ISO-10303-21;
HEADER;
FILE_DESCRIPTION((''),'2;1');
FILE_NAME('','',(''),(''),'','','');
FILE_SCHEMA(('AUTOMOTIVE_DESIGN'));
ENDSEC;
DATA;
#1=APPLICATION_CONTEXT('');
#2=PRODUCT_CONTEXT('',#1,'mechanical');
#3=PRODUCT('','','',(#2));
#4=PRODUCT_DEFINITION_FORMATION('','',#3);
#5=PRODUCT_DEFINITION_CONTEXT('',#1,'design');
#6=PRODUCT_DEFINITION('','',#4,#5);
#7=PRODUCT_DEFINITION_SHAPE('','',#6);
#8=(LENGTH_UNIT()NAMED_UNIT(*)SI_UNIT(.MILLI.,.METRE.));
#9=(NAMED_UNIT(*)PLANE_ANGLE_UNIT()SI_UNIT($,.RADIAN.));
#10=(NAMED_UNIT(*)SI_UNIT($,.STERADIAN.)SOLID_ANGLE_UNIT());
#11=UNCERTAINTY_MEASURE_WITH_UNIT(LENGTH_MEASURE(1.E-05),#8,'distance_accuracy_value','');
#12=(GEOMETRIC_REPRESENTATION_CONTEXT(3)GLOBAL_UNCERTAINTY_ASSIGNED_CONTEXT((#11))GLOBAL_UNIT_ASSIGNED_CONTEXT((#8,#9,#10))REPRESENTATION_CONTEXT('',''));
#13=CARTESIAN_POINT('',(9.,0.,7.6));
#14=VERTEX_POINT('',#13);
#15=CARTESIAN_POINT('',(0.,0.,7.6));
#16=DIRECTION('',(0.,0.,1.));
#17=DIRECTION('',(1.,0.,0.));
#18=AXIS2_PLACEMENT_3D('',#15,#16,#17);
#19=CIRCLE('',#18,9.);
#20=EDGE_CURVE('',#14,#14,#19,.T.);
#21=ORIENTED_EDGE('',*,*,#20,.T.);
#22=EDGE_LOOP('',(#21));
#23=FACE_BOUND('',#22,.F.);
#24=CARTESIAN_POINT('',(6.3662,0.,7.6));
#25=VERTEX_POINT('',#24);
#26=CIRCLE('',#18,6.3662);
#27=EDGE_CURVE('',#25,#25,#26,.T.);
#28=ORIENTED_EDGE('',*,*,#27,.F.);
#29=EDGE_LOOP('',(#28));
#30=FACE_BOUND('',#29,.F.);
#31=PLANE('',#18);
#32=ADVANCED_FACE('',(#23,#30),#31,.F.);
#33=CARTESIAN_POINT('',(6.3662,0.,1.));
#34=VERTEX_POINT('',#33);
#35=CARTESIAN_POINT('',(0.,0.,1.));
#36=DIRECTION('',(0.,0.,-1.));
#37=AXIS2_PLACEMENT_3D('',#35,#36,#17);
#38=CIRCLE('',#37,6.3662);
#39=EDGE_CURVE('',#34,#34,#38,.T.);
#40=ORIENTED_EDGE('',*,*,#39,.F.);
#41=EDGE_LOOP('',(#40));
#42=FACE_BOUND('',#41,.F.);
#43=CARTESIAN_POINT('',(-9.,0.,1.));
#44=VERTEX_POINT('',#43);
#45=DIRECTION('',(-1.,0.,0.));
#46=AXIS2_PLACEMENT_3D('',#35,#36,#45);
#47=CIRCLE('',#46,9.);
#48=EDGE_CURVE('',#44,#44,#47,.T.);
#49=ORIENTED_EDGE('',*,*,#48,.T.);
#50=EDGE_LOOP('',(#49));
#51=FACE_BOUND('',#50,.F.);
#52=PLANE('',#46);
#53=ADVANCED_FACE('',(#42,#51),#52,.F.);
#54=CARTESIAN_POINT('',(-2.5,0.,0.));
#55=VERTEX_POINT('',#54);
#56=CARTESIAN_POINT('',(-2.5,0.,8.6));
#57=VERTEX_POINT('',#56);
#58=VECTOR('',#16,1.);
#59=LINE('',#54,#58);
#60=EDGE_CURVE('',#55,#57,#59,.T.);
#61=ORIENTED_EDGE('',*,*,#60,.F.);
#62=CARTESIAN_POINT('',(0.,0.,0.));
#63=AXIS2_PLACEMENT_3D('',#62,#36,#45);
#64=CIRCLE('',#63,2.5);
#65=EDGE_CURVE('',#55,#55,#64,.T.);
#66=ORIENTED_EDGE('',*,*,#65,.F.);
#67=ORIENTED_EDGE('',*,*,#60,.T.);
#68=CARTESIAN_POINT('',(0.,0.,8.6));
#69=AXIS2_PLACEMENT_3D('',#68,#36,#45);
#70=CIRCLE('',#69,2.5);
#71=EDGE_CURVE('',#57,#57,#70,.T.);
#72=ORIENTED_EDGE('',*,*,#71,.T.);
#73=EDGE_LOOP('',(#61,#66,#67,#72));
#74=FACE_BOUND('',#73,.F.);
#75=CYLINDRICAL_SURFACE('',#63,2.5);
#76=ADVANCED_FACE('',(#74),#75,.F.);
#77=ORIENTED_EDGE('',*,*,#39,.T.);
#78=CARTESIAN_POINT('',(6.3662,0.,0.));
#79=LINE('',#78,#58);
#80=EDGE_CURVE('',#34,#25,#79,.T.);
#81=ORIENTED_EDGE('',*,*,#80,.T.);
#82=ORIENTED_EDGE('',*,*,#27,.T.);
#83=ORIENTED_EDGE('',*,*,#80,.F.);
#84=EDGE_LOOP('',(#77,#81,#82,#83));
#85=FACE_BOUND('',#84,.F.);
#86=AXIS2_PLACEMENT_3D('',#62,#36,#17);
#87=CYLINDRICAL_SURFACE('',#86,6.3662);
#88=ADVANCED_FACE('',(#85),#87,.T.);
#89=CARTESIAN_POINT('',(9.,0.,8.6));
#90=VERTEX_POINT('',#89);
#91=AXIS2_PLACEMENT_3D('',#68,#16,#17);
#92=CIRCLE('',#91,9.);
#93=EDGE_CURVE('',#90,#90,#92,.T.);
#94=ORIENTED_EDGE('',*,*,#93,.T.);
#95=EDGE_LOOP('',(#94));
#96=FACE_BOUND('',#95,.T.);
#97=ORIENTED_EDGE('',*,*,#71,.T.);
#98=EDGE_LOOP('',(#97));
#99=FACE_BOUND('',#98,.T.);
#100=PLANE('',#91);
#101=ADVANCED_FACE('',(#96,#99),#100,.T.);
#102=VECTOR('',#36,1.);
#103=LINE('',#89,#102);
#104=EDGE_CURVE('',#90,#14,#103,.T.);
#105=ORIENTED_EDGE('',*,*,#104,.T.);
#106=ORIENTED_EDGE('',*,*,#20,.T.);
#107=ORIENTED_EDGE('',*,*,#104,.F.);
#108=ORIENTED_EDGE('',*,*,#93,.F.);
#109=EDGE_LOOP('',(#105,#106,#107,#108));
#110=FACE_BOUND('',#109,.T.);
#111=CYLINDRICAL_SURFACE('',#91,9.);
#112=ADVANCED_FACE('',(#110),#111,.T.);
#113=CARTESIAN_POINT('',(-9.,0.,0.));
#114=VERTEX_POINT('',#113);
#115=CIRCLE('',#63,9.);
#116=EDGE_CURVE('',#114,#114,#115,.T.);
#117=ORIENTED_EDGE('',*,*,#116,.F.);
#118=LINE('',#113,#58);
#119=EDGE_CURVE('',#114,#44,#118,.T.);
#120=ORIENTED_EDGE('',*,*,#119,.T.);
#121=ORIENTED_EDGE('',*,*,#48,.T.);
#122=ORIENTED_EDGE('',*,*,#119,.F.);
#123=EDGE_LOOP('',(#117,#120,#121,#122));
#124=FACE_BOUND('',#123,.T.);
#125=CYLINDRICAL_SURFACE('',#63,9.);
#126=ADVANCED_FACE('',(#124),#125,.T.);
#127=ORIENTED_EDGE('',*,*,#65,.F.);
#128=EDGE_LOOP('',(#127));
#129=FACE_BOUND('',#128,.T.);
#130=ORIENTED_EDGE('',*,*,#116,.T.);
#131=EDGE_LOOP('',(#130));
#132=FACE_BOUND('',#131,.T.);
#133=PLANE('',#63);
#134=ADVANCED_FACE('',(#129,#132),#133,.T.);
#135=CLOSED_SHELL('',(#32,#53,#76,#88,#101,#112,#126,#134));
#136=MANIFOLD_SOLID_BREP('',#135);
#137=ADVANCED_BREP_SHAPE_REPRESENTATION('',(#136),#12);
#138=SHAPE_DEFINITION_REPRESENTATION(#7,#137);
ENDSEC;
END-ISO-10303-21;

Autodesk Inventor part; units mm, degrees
ref_plane "YZ Plane" through (0, 0, 0) normal (1, 0, 0) x (0, 1, 0)
ref_plane "XZ Plane" through (0, 0, 0) normal (0, 1, 0) x (-1, 0, 0)
ref_plane "XY Plane" through (0, 0, 0) normal (0, 0, 1) x (1, 0, 0)
sketch "Sketch1" plane through (0, 0, 0) normal (0, 0, 1) x (1, 0, 0)
  circle A0 centre (0, 0) radius 6.3662
  dimension "d0" = 12.7324
extrude "Extrusion1" add sketch "Sketch1" along normal blind 8.6
sketch "Sketch2" plane through (0, 0, 8.6) normal (0, 0, 1) x (1, 0, 0)
  circle A0 centre (0, 0) radius 6.3662 projected
  circle A1 centre (0, 0) radius 9
  dimension "d5" = 18
extrude "Extrusion2" add sketch "Sketch2" against normal blind 1
sketch "Sketch3" plane through (0, 0, 0) normal (0, 0, -1) x (-1, 0, 0)
  circle A0 centre (0, 0) radius 6.3662 projected
  circle A1 centre (0, 0) radius 6.3662 projected
  circle A2 centre (0, 0) radius 9 projected
extrude "Extrusion3" add sketch "Sketch3" against normal blind 1
sketch "Sketch4" plane through (0, 0, 0) normal (0, 0, -1) x (-1, 0, 0)
  circle A0 centre (0, 0) radius 9 projected
  circle A1 centre (0, 0) radius 2.5
  dimension "d11" = 5
extrude "Extrusion4" cut sketch "Sketch4" against normal through all contours A1
properties part number "idler"
